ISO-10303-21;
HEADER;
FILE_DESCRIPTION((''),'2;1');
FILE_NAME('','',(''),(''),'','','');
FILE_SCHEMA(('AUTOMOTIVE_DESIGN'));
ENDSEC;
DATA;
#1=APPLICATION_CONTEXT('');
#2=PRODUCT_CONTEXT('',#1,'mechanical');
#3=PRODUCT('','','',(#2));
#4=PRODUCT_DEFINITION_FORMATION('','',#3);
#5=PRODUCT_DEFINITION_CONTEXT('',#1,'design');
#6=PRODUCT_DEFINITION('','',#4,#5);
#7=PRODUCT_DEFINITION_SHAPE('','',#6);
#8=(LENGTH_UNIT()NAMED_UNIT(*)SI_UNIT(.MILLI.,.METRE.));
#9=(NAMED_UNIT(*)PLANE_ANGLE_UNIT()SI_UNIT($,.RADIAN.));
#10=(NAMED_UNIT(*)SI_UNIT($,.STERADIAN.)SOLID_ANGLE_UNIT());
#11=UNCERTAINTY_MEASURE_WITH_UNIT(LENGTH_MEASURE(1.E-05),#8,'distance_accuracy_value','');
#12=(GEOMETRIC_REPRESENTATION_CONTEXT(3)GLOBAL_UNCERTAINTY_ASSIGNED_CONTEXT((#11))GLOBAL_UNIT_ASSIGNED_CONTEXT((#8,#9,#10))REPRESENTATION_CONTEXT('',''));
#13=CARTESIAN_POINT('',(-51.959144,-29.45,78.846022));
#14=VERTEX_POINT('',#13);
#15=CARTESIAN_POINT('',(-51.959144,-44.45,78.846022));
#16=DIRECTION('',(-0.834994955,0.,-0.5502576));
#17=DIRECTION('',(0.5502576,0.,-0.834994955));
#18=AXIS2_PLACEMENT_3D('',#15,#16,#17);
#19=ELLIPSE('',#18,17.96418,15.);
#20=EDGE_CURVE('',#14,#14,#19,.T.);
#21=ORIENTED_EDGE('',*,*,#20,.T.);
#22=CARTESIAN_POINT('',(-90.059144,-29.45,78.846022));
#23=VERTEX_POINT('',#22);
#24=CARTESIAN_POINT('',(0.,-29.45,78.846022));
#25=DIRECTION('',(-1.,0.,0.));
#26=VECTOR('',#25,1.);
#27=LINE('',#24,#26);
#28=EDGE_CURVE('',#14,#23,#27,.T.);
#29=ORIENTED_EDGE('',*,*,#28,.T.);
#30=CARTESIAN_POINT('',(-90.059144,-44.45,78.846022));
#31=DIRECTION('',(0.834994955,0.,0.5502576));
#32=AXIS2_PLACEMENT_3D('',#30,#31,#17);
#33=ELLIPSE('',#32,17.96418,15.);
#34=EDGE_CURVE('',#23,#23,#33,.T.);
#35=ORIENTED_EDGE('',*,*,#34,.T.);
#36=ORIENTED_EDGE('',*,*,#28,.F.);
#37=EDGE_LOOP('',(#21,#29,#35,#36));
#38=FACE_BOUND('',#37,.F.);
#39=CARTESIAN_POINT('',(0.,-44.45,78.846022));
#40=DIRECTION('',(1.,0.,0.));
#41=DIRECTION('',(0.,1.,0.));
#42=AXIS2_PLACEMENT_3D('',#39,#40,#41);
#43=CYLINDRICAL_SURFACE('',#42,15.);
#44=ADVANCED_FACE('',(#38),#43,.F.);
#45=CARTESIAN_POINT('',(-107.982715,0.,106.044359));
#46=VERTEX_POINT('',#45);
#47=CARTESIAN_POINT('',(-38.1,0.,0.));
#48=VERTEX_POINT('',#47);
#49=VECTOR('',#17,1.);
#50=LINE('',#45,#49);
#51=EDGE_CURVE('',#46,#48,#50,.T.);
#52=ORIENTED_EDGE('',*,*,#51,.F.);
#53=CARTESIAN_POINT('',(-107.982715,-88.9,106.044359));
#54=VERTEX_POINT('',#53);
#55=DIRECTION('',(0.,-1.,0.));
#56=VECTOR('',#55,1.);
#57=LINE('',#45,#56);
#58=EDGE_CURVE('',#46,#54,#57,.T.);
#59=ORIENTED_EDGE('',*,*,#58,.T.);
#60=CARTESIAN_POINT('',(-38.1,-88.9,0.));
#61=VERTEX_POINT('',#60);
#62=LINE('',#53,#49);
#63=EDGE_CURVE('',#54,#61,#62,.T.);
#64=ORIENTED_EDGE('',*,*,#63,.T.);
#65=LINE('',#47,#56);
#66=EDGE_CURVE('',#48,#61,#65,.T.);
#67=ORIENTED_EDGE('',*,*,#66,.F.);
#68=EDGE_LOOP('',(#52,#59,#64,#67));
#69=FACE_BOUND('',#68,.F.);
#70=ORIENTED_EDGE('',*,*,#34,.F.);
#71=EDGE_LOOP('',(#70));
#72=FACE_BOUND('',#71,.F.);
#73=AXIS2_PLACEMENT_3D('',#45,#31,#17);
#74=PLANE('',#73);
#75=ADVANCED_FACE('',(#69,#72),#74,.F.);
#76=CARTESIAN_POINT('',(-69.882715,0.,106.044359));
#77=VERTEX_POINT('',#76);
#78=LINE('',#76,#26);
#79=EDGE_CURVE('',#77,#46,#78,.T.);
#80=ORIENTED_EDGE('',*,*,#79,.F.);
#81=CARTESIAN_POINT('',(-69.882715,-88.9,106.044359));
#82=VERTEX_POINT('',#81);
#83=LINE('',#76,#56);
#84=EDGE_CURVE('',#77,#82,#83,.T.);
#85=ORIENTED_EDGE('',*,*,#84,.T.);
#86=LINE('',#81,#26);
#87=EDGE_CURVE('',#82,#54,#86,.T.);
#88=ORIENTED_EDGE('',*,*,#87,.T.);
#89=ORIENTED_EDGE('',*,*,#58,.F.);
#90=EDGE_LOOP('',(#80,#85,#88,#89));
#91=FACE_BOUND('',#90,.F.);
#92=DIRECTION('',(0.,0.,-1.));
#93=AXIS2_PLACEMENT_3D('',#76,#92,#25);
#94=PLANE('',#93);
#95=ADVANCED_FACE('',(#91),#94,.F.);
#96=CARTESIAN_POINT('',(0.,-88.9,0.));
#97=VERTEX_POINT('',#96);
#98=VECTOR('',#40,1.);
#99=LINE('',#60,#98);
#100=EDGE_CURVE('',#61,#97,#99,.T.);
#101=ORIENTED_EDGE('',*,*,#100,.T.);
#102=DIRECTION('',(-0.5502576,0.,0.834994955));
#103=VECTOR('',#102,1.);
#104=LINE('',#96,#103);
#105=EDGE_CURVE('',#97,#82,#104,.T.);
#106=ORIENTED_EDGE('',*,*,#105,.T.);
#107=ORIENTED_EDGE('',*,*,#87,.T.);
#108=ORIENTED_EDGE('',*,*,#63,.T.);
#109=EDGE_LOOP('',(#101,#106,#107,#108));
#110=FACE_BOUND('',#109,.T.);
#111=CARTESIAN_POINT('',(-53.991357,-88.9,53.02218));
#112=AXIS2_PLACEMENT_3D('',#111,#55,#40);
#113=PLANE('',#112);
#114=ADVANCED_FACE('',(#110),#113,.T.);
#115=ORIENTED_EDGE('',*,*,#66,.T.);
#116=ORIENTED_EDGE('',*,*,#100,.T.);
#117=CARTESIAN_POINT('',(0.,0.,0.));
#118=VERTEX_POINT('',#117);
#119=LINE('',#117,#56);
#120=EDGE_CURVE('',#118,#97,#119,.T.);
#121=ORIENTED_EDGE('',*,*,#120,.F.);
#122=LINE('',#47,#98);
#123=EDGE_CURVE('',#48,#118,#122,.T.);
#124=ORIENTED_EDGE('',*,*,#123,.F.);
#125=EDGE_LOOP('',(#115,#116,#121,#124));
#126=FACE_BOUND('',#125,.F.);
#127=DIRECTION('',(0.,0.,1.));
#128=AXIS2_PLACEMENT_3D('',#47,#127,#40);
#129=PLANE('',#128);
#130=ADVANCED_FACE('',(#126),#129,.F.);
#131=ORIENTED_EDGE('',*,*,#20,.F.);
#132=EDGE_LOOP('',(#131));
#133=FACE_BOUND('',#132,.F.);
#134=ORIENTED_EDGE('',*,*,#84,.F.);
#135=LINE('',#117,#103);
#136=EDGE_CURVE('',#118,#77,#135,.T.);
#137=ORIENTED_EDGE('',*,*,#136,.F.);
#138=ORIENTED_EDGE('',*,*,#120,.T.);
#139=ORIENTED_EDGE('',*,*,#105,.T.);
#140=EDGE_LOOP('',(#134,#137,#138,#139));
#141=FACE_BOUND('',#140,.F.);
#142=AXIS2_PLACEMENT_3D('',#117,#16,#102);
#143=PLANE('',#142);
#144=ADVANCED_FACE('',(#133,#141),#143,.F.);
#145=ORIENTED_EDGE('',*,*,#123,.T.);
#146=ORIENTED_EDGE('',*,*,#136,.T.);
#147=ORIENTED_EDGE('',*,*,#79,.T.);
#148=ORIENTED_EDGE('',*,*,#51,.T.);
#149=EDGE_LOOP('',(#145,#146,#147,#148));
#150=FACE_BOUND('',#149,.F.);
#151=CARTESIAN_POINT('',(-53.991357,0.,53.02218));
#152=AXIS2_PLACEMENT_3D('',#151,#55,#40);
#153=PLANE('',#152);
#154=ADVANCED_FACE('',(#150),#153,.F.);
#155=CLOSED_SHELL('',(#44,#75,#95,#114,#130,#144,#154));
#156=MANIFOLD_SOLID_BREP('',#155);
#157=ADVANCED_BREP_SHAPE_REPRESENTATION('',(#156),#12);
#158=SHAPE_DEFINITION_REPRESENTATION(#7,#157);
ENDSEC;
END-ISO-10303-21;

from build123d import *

# Parameters (mm, degrees)
F1_DEPTH = 88.9
F2_R     = 15
F3_DEPTH = 107.983715


with BuildPart() as f1:
    # F0 (on Front) → F1 (new body)
    with BuildSketch(Plane.XZ):
        Polygon((-38.1, 0), (0, 0), (-69.882715, 106.044359), (-107.982715, 106.044359), align=None)
    extrude(amount=F1_DEPTH)

    # F2 (on Right) → F3 (cut, through all)
    with BuildSketch(Plane.YZ):
        with Locations((-44.45, 78.846022)):
            Circle(F2_R)
    extrude(amount=-F3_DEPTH, mode=Mode.SUBTRACT)


solid = f1.part
